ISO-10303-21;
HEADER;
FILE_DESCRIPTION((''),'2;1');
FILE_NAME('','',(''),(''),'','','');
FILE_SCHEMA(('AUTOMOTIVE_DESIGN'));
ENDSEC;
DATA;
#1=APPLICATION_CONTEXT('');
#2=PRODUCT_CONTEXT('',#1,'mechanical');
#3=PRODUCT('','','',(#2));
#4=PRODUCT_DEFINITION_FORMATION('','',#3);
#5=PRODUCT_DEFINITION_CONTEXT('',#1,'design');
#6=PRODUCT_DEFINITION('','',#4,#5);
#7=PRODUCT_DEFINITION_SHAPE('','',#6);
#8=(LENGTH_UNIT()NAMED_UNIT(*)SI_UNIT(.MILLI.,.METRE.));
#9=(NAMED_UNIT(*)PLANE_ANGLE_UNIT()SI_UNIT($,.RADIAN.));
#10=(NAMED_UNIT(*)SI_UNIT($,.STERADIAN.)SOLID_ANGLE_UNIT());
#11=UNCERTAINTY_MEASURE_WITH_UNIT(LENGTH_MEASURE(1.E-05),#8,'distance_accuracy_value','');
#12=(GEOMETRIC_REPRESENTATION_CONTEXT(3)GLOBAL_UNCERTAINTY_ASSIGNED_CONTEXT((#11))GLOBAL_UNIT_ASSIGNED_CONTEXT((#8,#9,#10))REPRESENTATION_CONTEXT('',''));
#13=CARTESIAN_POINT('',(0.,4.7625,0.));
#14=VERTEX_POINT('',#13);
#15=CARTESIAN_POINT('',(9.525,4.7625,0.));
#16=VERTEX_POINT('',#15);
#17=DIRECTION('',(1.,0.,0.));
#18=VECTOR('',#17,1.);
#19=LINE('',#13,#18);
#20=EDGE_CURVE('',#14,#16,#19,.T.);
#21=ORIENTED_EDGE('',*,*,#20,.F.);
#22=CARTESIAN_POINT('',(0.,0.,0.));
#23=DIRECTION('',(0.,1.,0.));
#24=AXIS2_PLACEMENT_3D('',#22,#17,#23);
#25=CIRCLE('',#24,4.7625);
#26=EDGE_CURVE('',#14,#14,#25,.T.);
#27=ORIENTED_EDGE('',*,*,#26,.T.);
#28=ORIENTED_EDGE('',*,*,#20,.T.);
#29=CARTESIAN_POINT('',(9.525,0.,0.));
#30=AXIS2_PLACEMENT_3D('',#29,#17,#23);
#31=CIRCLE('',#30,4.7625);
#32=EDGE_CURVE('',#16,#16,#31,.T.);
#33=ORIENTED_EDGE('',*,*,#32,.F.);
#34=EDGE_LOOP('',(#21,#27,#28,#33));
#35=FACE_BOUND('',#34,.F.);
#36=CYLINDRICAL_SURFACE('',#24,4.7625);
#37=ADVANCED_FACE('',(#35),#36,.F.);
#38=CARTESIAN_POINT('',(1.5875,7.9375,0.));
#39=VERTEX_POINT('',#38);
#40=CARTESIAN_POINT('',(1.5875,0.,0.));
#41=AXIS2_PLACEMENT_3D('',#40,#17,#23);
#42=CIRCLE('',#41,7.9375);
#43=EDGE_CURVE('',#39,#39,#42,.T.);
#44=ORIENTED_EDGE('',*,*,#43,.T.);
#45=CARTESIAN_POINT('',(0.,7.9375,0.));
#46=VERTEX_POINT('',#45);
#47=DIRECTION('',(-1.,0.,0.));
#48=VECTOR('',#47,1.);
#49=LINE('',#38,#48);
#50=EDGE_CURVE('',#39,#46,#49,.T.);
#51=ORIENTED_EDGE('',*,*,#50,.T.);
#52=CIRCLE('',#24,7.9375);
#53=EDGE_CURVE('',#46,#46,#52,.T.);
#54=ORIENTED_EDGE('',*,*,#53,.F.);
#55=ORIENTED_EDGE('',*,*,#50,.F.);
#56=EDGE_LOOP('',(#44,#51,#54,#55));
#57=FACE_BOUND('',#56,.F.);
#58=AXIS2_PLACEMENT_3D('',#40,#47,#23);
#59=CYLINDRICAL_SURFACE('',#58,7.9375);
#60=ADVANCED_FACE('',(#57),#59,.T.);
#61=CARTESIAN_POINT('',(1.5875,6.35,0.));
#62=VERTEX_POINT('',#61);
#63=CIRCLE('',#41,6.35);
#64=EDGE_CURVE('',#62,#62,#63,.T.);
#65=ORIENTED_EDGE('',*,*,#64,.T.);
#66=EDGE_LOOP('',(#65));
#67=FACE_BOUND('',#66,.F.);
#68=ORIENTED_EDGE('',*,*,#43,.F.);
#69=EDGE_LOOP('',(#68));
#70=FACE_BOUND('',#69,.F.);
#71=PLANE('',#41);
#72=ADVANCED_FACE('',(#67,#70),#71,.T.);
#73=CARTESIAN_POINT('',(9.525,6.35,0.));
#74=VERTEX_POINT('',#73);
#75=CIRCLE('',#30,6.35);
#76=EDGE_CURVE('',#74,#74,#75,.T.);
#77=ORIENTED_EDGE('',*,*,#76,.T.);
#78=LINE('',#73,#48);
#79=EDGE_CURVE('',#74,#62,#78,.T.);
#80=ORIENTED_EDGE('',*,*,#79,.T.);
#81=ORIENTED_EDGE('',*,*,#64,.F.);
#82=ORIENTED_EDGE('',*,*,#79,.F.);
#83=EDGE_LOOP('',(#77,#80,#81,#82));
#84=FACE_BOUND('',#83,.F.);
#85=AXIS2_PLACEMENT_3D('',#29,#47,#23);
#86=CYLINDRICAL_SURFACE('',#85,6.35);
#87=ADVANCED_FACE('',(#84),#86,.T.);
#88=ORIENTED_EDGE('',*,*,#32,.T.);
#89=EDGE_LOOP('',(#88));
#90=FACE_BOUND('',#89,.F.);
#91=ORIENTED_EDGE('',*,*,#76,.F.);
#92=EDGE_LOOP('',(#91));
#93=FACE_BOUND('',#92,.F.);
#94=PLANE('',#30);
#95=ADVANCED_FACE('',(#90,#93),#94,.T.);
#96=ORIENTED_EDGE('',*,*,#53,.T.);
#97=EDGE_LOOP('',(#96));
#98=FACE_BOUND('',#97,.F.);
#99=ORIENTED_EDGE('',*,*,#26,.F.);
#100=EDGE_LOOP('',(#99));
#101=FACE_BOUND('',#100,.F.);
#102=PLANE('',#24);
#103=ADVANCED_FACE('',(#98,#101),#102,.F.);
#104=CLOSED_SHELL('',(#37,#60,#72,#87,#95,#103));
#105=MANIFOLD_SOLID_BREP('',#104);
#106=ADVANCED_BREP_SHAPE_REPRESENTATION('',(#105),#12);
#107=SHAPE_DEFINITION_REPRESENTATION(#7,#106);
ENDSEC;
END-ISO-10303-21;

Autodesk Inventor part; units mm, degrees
ref_plane "YZ Plane" through (0, 0, 0) normal (1, 0, 0) x (0, 1, 0)
ref_plane "XZ Plane" through (0, 0, 0) normal (0, 1, 0) x (-1, 0, 0)
ref_plane "XY Plane" through (0, 0, 0) normal (0, 0, 1) x (1, 0, 0)
sketch "Sketch1" plane through (0, 0, 0) normal (0, 0, 1) x (1, 0, 0)
  line L0 (0, 7.9375) -> (0, 4.7625)
  line L1 (0, 4.7625) -> (9.525, 4.7625)
  line L2 (9.525, 4.7625) -> (9.525, 6.35)
  line L3 (9.525, 6.35) -> (1.5875, 6.35)
  line L4 (1.5875, 6.35) -> (1.5875, 7.9375)
  line L5 (1.5875, 7.9375) -> (0, 7.9375)
  line L6 (0, 0) -> (25.6678, 0)
  dimension "d0" = 4.7625
  dimension "d1" = 6.35
  dimension "d2" = 7.9375
  dimension "d3" = 1.5875
  dimension "d4" = 9.525
revolve "Revolution1" add sketch "Sketch1" angle 360 about axis through (0, 0, 0) along (1, 0, 0)
properties part number "PP-00065"
